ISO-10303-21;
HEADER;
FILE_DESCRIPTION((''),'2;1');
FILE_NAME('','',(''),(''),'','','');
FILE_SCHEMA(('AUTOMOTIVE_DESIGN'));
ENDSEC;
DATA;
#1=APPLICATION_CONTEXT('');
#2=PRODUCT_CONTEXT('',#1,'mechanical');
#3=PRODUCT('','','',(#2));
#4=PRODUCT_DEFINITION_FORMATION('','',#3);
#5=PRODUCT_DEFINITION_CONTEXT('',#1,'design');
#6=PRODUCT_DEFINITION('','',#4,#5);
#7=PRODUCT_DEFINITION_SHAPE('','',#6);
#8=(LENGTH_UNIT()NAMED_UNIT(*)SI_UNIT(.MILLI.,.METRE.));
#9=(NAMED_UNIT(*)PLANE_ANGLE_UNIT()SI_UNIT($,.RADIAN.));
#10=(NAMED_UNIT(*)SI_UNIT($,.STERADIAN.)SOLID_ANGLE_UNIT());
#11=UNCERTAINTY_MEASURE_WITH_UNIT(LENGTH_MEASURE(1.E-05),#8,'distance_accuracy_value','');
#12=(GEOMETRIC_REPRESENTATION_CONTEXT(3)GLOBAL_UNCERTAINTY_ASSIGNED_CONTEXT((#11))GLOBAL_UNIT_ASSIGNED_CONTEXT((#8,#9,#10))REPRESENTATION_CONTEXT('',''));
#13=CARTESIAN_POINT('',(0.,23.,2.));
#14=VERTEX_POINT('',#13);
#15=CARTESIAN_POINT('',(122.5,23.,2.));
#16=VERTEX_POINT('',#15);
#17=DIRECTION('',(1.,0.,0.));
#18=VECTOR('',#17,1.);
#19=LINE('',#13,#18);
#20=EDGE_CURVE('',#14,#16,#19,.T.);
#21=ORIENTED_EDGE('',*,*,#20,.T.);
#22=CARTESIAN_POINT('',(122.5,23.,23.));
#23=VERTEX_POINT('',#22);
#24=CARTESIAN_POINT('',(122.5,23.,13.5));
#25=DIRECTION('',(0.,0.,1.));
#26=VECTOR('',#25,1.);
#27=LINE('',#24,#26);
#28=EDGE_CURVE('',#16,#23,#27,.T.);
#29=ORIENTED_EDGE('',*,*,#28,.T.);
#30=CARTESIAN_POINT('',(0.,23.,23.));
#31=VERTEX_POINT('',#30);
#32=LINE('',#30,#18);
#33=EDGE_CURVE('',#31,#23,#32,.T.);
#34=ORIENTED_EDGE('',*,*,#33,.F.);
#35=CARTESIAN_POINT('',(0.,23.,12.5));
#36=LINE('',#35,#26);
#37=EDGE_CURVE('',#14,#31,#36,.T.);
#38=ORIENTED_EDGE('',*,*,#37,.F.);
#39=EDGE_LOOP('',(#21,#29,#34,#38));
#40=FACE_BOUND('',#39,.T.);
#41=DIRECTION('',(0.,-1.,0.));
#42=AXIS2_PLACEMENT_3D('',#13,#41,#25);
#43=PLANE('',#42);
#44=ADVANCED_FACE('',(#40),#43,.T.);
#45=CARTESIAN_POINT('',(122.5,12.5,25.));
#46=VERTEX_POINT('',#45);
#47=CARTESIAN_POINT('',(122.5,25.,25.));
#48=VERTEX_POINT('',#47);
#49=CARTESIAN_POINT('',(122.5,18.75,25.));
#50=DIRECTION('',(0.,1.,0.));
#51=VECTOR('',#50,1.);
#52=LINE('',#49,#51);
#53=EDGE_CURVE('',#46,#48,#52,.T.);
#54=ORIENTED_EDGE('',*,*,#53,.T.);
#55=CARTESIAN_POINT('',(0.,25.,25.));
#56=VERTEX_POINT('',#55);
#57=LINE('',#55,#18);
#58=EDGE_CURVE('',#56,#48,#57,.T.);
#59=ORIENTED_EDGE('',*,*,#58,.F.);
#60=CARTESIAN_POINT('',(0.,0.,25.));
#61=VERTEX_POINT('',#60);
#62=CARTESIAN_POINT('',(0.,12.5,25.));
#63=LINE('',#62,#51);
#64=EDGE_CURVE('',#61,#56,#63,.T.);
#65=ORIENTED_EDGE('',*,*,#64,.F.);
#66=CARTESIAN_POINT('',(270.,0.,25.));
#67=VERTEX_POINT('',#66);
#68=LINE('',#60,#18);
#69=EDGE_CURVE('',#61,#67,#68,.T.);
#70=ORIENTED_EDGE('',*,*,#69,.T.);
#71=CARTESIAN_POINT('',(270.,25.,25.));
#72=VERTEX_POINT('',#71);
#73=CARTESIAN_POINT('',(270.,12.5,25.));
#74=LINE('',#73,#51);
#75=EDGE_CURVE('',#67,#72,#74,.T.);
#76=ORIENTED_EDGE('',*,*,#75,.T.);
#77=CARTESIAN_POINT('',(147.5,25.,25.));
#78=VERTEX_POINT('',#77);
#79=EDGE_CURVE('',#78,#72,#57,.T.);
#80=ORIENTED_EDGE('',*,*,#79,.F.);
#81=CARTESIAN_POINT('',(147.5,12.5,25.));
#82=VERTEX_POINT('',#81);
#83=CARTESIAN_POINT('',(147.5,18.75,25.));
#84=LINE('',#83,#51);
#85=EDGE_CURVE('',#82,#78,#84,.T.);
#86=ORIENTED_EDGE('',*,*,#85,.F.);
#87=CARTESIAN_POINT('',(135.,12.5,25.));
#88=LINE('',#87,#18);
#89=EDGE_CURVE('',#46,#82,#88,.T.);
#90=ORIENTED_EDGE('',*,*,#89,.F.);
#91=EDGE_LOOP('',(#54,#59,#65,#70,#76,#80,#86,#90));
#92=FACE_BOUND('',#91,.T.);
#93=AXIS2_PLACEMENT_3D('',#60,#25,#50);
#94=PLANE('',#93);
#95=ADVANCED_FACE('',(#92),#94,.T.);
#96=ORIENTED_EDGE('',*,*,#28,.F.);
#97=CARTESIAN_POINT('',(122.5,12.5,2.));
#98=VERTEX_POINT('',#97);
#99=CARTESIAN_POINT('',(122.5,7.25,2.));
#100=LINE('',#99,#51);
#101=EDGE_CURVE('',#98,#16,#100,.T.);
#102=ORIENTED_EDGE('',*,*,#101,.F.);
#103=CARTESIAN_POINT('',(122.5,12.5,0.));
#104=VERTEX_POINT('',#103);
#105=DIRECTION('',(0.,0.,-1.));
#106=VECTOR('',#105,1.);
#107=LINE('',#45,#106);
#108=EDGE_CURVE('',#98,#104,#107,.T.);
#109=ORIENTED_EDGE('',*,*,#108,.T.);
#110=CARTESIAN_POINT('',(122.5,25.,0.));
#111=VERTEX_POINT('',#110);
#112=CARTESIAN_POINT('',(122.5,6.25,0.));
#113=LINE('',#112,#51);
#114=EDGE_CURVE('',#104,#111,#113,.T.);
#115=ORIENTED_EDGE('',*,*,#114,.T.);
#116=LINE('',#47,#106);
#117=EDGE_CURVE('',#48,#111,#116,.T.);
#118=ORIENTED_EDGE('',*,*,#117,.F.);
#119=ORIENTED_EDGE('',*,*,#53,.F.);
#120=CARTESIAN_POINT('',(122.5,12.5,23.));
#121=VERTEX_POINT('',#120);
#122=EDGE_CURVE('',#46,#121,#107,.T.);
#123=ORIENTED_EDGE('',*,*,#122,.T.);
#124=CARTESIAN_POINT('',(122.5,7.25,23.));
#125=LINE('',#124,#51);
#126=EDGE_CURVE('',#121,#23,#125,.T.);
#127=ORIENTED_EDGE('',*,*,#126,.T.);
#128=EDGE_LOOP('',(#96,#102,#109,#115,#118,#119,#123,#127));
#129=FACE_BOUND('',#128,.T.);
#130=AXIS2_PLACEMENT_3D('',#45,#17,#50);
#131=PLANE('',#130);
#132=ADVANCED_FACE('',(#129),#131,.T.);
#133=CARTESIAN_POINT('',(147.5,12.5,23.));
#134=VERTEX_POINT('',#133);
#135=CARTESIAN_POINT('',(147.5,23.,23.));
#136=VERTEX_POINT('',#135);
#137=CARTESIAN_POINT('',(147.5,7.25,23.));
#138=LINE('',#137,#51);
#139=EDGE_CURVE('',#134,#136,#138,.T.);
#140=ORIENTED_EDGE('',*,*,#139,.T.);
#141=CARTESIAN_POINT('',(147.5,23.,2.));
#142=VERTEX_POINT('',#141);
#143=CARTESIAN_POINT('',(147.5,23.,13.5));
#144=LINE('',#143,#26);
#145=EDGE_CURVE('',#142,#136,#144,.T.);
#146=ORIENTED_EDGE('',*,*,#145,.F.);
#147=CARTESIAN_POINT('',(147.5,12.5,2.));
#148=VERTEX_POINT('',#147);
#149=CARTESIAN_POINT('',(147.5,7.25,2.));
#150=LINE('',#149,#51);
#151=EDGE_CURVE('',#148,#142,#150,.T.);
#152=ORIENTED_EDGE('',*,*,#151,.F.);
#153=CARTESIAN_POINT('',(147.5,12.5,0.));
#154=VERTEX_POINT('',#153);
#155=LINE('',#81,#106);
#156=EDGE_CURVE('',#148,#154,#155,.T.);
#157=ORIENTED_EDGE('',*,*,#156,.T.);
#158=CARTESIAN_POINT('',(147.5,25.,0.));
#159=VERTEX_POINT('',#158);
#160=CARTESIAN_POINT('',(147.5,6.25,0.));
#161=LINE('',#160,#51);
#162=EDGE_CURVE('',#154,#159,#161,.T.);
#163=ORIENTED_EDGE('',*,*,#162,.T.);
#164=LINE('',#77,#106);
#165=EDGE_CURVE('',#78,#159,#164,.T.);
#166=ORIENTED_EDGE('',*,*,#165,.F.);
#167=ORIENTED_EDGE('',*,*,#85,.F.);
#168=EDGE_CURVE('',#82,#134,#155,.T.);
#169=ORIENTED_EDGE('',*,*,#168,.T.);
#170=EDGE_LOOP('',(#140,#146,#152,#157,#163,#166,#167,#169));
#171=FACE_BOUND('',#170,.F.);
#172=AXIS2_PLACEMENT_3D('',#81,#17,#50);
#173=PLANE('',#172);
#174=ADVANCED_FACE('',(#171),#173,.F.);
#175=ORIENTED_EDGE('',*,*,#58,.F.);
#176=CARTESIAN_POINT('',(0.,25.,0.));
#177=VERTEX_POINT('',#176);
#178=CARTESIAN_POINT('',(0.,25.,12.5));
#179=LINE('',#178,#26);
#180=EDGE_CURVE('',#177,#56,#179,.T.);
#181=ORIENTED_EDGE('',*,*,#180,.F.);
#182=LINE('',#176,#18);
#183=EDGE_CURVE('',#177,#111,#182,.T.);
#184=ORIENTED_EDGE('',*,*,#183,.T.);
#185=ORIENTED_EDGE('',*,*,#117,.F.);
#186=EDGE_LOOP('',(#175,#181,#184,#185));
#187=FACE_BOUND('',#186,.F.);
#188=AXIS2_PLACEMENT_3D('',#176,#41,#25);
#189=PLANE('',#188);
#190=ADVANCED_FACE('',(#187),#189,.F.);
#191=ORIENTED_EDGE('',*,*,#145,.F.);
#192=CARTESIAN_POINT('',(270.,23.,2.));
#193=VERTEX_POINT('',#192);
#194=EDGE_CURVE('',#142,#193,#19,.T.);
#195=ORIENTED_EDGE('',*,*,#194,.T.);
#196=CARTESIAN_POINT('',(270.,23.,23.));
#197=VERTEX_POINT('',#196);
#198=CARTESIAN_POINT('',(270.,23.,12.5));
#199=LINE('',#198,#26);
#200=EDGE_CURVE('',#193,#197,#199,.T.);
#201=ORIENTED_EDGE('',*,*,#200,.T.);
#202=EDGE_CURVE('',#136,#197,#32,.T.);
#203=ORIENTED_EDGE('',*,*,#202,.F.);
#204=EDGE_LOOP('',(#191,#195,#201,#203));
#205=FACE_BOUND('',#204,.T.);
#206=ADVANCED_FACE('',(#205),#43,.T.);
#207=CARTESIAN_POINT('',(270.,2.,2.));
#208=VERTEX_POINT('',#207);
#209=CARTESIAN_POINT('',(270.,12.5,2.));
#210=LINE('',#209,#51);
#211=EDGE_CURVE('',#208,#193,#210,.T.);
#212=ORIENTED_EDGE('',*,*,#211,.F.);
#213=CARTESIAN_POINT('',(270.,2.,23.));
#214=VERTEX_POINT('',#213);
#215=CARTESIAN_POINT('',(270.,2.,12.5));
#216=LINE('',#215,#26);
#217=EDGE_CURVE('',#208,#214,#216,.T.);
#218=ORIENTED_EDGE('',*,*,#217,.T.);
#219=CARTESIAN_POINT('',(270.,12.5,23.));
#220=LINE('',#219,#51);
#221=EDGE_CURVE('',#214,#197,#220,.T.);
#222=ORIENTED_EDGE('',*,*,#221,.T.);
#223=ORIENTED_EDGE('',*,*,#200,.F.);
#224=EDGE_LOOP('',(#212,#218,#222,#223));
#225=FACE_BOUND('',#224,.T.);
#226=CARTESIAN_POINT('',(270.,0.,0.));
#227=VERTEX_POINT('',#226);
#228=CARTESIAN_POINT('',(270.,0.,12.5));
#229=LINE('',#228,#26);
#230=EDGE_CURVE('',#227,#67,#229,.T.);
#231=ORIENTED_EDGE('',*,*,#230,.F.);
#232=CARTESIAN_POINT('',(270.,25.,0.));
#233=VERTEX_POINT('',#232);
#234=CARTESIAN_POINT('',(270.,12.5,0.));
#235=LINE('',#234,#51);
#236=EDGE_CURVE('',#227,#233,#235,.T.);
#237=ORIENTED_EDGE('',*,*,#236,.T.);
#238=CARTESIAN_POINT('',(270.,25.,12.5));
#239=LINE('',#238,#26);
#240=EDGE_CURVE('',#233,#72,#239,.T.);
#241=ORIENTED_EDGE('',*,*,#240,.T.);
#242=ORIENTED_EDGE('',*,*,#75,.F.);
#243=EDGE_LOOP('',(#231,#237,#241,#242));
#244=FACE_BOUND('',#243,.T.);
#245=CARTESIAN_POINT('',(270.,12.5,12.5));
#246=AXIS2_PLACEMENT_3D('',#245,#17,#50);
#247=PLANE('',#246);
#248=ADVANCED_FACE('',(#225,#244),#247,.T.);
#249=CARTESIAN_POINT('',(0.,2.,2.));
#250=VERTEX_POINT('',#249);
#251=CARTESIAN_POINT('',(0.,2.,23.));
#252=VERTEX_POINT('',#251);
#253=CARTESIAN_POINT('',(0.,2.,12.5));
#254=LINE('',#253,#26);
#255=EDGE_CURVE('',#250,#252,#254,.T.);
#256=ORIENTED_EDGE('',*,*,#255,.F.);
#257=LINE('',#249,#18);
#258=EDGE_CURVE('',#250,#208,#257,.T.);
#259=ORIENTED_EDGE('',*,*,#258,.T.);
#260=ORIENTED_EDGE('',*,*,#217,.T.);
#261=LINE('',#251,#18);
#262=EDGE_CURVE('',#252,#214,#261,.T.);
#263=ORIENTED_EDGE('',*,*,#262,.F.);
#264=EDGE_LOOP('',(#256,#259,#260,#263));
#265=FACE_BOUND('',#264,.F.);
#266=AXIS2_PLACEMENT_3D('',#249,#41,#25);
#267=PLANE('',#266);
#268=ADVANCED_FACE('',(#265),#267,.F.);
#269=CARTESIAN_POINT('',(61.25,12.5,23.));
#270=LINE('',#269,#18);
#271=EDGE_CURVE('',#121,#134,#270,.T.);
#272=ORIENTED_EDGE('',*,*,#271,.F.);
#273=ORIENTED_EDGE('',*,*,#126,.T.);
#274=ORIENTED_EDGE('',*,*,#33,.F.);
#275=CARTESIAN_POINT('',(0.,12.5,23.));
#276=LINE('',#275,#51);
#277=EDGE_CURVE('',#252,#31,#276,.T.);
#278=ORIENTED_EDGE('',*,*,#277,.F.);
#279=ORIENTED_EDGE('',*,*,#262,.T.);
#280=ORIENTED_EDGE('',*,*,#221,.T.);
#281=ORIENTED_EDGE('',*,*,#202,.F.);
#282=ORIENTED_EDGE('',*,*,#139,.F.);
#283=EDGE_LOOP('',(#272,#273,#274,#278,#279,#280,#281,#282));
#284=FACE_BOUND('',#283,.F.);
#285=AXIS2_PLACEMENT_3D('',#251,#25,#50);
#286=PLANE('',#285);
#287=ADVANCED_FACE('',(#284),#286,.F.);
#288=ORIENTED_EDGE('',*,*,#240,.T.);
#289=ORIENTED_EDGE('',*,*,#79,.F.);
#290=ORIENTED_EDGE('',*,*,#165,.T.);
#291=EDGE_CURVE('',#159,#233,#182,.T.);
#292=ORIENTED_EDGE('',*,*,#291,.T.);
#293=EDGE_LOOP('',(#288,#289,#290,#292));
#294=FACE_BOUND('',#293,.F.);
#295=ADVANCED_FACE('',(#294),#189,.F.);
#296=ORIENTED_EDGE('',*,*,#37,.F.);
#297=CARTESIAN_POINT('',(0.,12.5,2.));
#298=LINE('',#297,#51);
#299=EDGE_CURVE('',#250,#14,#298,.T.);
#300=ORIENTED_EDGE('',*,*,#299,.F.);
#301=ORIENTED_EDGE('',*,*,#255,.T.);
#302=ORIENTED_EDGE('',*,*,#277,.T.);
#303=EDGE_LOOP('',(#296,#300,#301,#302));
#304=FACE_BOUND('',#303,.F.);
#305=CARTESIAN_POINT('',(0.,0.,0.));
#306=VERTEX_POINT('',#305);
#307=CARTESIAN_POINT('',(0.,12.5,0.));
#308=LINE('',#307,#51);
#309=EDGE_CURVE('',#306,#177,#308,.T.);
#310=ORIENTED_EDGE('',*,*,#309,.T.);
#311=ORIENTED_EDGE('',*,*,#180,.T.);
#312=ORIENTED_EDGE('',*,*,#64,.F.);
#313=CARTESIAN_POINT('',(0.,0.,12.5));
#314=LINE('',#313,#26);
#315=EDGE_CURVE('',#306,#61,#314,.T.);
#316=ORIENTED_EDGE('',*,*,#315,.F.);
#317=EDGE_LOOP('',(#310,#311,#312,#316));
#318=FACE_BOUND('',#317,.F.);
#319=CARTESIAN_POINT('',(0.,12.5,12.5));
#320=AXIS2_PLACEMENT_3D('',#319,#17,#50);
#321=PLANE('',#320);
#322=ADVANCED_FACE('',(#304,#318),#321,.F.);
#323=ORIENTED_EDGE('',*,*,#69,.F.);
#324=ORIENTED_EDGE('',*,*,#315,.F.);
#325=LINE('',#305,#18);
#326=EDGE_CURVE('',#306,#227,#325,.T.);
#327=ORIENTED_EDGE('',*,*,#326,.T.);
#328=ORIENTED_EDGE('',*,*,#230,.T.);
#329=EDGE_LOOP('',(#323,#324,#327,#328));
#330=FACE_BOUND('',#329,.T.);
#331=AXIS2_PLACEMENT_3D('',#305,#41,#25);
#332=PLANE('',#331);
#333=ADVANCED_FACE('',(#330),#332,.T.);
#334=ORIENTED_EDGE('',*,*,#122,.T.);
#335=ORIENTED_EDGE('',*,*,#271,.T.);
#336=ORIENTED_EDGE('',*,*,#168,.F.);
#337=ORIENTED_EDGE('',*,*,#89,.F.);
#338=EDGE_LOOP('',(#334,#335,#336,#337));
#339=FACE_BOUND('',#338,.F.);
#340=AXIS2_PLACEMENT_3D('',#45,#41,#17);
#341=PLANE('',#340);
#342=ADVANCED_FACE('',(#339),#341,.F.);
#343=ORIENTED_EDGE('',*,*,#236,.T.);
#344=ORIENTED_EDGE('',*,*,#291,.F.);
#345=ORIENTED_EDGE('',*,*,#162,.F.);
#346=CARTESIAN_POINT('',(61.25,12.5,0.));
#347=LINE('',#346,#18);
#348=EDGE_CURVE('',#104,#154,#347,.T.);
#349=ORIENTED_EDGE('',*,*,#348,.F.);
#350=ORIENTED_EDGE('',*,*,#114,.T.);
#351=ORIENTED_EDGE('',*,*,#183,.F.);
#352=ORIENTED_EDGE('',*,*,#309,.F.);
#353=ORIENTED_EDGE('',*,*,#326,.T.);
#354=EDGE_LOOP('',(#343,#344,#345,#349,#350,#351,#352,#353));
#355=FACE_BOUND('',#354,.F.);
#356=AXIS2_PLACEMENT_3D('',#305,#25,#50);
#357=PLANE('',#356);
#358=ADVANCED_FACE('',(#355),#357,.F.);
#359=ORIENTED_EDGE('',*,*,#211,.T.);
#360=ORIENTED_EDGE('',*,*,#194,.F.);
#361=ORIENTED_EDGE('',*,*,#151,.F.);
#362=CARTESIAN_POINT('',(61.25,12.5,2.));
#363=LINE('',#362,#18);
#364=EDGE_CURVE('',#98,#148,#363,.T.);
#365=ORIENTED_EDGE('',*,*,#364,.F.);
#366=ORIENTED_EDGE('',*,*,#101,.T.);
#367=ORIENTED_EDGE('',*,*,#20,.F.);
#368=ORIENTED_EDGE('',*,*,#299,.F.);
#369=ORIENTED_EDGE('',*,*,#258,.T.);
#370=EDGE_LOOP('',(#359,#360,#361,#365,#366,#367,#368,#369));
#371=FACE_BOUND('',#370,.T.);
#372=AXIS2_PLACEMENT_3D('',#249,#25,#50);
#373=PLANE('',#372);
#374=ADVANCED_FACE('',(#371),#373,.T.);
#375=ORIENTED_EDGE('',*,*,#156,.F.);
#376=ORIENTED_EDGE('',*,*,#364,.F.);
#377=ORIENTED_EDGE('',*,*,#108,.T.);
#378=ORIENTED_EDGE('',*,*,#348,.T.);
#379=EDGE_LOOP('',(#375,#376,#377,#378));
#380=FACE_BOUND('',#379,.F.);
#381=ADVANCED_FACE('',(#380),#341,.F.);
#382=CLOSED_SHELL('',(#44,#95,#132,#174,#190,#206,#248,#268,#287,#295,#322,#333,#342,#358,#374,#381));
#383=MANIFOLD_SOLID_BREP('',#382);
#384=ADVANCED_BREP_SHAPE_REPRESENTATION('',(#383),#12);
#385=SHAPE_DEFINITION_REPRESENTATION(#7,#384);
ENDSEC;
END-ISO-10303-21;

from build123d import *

# Parameters (mm, degrees)
F0_W     = 25
F0_H     = 25
F0_W_2   = 21
F0_H_2   = 21
F1_DEPTH = 270
F2_W     = 25
F2_H     = 12.5
F3_DEPTH = 25.001


with BuildPart() as f1:
    # F0 (on Right) → F1 (new body)
    with BuildSketch(Plane.YZ):
        with Locations((12.5, 12.5)):
            Rectangle(F0_W, F0_H)
        with Locations((12.5, 12.5)):
            Rectangle(F0_W_2, F0_H_2, mode=Mode.SUBTRACT)
    extrude(amount=F1_DEPTH)

    # F2 (on face) → F3 (cut, through all)
    with BuildSketch(Plane.XY.offset(25)):
        with Locations((135, 18.75)):
            Rectangle(F2_W, F2_H)
    extrude(amount=-F3_DEPTH, mode=Mode.SUBTRACT)


solid = f1.part
